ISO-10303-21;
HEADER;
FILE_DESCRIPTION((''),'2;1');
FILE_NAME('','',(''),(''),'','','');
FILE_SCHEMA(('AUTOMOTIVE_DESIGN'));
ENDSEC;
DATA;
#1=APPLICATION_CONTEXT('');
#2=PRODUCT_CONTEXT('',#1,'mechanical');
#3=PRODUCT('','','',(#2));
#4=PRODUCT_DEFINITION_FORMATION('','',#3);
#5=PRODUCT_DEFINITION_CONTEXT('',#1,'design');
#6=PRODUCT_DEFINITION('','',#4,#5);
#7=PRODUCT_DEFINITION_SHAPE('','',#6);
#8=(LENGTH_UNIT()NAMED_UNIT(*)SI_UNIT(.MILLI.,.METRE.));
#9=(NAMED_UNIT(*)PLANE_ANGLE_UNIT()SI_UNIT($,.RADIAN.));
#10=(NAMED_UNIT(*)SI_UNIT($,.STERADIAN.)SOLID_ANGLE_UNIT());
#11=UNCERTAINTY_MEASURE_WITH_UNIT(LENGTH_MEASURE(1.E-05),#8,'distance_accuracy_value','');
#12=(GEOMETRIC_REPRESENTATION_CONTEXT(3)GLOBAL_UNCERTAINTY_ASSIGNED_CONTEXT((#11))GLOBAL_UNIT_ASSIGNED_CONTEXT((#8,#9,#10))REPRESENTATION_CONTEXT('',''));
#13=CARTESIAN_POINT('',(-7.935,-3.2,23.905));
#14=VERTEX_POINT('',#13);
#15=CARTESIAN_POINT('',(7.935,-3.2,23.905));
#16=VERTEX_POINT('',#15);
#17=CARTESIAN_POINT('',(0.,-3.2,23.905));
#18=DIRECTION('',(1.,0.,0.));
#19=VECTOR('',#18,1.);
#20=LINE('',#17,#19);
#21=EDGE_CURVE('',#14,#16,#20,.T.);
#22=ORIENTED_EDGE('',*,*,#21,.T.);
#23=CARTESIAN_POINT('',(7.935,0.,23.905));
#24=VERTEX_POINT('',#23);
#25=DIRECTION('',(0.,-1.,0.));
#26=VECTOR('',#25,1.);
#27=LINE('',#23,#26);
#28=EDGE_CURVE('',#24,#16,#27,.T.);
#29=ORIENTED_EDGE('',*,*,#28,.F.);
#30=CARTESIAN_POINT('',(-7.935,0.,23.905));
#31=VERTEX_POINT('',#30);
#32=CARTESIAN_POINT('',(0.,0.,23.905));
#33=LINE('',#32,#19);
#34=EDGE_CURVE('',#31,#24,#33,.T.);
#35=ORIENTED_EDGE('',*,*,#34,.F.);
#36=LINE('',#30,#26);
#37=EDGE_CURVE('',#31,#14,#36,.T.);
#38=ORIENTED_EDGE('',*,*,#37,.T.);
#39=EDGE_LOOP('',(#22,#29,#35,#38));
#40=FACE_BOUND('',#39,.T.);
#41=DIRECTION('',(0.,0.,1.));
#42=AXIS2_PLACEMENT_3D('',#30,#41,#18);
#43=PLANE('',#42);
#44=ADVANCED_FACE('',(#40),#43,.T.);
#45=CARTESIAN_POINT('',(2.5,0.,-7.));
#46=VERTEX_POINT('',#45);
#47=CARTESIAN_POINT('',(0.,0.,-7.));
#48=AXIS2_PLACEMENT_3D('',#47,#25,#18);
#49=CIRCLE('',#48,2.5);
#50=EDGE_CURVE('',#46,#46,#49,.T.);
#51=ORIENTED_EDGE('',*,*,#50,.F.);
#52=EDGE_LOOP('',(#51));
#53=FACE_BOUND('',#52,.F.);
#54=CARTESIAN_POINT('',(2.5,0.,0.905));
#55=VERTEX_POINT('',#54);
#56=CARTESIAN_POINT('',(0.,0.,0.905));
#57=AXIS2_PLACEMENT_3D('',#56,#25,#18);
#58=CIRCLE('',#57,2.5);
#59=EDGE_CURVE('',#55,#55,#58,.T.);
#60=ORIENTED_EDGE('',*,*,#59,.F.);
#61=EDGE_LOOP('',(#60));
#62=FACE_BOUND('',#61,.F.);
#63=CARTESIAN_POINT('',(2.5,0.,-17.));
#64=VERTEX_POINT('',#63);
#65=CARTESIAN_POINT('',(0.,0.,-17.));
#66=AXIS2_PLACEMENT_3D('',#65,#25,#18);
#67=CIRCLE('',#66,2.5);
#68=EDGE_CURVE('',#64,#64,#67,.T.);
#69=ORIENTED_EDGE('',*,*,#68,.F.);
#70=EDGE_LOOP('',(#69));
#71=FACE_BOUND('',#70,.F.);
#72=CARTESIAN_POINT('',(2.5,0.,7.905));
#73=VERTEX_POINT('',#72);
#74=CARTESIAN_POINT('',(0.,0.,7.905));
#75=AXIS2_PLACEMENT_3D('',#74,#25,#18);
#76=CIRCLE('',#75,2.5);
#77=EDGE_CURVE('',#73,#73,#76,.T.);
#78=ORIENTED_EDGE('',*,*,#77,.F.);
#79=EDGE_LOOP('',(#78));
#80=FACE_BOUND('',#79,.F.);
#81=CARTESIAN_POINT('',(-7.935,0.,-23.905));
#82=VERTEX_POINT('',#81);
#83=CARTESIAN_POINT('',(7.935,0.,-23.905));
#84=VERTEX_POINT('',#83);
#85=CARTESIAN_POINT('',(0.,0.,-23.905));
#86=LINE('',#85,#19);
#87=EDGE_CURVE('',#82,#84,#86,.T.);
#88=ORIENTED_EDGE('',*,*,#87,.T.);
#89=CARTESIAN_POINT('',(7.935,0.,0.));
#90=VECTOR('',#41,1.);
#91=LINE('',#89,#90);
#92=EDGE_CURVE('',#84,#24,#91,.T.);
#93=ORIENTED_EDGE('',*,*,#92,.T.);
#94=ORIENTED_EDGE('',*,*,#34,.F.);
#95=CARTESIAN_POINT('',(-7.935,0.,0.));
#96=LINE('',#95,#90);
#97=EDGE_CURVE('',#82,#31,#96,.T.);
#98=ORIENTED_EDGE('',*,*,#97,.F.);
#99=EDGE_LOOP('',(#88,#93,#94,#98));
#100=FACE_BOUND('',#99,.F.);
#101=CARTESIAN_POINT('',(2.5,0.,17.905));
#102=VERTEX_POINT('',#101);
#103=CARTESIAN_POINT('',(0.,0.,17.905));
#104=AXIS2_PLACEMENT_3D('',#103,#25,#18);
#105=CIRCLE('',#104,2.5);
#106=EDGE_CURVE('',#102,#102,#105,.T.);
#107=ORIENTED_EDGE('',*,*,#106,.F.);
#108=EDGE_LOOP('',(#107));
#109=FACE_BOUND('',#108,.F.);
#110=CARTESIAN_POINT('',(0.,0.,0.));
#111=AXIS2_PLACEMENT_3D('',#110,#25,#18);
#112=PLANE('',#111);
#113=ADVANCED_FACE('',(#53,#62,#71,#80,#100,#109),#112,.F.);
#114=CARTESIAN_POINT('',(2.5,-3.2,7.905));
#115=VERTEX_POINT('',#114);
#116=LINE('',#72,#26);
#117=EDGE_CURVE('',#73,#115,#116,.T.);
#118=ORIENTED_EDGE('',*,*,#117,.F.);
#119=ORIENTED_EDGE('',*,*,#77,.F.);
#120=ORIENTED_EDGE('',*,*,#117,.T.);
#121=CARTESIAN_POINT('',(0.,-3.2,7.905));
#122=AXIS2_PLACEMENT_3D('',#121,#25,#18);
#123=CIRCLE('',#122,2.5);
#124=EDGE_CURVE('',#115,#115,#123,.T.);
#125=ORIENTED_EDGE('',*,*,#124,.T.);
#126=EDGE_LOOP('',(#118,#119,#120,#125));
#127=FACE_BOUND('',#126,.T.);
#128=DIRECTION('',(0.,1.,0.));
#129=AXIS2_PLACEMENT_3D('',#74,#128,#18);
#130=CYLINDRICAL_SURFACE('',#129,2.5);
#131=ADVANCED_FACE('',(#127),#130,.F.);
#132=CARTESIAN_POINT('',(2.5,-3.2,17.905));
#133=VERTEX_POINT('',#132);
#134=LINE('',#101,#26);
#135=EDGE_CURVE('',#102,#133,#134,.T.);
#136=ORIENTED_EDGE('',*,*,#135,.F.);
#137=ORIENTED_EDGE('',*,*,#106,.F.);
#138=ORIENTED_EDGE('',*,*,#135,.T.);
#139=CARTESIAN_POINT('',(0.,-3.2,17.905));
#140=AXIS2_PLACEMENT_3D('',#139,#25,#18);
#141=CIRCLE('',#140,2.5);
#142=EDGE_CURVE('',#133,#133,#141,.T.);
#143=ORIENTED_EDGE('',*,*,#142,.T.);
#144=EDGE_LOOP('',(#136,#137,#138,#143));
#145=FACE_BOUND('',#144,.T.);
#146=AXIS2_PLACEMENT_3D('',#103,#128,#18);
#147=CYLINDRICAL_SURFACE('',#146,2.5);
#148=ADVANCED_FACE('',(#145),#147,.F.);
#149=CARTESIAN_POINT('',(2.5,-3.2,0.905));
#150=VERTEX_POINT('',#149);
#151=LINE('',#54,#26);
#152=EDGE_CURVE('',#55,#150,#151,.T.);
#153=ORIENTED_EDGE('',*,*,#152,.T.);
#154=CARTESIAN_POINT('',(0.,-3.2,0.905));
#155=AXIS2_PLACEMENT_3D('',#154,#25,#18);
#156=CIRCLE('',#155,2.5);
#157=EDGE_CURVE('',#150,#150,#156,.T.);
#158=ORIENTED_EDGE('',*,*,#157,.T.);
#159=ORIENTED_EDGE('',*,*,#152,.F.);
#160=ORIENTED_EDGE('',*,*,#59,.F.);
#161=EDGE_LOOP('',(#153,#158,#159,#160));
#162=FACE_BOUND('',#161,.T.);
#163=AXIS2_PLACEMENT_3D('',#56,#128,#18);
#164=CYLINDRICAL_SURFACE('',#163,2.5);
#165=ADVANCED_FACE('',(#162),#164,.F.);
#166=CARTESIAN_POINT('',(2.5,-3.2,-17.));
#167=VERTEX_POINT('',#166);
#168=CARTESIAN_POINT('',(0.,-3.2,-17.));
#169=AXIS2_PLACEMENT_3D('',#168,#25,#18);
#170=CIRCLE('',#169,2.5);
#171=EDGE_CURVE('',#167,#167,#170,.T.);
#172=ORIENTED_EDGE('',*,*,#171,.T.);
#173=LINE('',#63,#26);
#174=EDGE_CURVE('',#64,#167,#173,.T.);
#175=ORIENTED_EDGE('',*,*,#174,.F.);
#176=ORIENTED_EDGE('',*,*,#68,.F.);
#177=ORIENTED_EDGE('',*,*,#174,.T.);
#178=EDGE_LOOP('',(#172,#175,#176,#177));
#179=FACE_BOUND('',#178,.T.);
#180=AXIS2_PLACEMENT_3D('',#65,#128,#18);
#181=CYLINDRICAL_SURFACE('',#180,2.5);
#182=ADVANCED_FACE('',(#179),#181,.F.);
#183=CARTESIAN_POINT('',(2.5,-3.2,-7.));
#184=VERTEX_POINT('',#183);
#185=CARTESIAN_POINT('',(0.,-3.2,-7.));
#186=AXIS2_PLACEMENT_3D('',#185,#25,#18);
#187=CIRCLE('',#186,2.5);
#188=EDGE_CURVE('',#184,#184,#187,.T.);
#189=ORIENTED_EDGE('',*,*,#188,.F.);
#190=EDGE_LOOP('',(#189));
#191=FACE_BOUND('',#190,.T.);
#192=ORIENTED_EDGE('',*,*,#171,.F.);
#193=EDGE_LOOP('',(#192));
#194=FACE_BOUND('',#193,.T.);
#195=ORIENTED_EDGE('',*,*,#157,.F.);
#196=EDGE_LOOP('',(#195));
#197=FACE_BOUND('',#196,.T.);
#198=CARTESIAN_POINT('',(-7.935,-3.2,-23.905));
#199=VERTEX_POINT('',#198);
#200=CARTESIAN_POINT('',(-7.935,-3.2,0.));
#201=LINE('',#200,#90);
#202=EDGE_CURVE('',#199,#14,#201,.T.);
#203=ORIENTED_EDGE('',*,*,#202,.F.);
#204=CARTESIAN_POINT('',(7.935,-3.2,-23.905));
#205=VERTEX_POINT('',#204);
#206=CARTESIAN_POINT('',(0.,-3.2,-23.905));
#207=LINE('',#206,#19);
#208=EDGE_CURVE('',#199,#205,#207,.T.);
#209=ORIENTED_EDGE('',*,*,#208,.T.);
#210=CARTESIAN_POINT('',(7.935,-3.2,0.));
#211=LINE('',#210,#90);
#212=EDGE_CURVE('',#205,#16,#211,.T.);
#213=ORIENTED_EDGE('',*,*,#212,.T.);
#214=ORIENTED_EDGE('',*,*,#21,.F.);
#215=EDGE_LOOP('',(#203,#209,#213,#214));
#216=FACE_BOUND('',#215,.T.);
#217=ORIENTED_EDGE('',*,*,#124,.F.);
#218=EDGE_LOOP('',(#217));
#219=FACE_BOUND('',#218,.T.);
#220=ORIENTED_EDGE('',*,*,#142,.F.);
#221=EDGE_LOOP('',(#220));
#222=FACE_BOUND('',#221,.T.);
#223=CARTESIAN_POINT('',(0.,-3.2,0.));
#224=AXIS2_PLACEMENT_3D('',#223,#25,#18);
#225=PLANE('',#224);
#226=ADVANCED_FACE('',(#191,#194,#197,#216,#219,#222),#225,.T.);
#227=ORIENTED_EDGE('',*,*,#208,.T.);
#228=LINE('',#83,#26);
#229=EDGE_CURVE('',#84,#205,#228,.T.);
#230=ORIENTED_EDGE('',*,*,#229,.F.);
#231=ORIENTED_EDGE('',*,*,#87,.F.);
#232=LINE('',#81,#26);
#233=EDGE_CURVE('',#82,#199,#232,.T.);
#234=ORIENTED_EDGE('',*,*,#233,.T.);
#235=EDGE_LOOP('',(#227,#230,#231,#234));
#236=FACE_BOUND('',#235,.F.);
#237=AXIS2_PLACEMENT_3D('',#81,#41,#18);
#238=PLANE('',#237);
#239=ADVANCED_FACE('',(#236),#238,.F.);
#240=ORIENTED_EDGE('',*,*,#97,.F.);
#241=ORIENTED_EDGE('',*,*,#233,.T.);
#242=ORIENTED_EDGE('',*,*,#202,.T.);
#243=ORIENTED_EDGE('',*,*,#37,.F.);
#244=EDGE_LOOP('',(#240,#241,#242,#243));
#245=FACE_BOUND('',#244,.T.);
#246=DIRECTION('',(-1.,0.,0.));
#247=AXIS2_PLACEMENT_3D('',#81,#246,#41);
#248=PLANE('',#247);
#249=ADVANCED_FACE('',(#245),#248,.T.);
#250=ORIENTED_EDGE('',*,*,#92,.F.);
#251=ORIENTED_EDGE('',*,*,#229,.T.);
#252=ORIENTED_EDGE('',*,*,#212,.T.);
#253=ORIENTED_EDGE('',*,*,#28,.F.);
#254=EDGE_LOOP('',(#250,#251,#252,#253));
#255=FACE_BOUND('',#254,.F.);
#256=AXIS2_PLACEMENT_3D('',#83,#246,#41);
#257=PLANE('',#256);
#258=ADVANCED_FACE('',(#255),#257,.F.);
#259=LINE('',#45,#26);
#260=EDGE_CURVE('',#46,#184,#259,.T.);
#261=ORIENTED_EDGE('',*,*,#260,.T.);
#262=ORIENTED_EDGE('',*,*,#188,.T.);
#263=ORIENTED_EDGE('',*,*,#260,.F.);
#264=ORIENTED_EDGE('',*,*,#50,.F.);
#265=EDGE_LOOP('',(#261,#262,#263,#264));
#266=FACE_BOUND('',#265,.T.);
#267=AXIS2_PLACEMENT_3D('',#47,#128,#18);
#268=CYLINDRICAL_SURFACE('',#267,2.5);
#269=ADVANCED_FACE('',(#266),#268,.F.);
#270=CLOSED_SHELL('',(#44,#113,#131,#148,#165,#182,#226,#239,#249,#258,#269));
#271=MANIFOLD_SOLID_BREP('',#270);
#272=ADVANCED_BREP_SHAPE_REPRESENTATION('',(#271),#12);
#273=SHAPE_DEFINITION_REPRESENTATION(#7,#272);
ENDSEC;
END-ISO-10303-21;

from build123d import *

# Parameters (mm, degrees)
F0_W     = 15.87
F0_H     = 47.81
F0_R     = 2.5
F1_DEPTH = 3.2


with BuildPart() as f1:
    # F0 (on Front) → F1 (new body)
    with BuildSketch(Plane.XZ):
        Rectangle(F0_W, F0_H)
        with Locations((0, -17)):
            Circle(F0_R, mode=Mode.SUBTRACT)
        with Locations((0, -7)):
            Circle(F0_R, mode=Mode.SUBTRACT)
        with Locations((0, 0.905)):
            Circle(F0_R, mode=Mode.SUBTRACT)
        with Locations((0, 7.905)):
            Circle(F0_R, mode=Mode.SUBTRACT)
        with Locations((0, 17.905)):
            Circle(F0_R, mode=Mode.SUBTRACT)
    extrude(amount=F1_DEPTH)


solid = f1.part
